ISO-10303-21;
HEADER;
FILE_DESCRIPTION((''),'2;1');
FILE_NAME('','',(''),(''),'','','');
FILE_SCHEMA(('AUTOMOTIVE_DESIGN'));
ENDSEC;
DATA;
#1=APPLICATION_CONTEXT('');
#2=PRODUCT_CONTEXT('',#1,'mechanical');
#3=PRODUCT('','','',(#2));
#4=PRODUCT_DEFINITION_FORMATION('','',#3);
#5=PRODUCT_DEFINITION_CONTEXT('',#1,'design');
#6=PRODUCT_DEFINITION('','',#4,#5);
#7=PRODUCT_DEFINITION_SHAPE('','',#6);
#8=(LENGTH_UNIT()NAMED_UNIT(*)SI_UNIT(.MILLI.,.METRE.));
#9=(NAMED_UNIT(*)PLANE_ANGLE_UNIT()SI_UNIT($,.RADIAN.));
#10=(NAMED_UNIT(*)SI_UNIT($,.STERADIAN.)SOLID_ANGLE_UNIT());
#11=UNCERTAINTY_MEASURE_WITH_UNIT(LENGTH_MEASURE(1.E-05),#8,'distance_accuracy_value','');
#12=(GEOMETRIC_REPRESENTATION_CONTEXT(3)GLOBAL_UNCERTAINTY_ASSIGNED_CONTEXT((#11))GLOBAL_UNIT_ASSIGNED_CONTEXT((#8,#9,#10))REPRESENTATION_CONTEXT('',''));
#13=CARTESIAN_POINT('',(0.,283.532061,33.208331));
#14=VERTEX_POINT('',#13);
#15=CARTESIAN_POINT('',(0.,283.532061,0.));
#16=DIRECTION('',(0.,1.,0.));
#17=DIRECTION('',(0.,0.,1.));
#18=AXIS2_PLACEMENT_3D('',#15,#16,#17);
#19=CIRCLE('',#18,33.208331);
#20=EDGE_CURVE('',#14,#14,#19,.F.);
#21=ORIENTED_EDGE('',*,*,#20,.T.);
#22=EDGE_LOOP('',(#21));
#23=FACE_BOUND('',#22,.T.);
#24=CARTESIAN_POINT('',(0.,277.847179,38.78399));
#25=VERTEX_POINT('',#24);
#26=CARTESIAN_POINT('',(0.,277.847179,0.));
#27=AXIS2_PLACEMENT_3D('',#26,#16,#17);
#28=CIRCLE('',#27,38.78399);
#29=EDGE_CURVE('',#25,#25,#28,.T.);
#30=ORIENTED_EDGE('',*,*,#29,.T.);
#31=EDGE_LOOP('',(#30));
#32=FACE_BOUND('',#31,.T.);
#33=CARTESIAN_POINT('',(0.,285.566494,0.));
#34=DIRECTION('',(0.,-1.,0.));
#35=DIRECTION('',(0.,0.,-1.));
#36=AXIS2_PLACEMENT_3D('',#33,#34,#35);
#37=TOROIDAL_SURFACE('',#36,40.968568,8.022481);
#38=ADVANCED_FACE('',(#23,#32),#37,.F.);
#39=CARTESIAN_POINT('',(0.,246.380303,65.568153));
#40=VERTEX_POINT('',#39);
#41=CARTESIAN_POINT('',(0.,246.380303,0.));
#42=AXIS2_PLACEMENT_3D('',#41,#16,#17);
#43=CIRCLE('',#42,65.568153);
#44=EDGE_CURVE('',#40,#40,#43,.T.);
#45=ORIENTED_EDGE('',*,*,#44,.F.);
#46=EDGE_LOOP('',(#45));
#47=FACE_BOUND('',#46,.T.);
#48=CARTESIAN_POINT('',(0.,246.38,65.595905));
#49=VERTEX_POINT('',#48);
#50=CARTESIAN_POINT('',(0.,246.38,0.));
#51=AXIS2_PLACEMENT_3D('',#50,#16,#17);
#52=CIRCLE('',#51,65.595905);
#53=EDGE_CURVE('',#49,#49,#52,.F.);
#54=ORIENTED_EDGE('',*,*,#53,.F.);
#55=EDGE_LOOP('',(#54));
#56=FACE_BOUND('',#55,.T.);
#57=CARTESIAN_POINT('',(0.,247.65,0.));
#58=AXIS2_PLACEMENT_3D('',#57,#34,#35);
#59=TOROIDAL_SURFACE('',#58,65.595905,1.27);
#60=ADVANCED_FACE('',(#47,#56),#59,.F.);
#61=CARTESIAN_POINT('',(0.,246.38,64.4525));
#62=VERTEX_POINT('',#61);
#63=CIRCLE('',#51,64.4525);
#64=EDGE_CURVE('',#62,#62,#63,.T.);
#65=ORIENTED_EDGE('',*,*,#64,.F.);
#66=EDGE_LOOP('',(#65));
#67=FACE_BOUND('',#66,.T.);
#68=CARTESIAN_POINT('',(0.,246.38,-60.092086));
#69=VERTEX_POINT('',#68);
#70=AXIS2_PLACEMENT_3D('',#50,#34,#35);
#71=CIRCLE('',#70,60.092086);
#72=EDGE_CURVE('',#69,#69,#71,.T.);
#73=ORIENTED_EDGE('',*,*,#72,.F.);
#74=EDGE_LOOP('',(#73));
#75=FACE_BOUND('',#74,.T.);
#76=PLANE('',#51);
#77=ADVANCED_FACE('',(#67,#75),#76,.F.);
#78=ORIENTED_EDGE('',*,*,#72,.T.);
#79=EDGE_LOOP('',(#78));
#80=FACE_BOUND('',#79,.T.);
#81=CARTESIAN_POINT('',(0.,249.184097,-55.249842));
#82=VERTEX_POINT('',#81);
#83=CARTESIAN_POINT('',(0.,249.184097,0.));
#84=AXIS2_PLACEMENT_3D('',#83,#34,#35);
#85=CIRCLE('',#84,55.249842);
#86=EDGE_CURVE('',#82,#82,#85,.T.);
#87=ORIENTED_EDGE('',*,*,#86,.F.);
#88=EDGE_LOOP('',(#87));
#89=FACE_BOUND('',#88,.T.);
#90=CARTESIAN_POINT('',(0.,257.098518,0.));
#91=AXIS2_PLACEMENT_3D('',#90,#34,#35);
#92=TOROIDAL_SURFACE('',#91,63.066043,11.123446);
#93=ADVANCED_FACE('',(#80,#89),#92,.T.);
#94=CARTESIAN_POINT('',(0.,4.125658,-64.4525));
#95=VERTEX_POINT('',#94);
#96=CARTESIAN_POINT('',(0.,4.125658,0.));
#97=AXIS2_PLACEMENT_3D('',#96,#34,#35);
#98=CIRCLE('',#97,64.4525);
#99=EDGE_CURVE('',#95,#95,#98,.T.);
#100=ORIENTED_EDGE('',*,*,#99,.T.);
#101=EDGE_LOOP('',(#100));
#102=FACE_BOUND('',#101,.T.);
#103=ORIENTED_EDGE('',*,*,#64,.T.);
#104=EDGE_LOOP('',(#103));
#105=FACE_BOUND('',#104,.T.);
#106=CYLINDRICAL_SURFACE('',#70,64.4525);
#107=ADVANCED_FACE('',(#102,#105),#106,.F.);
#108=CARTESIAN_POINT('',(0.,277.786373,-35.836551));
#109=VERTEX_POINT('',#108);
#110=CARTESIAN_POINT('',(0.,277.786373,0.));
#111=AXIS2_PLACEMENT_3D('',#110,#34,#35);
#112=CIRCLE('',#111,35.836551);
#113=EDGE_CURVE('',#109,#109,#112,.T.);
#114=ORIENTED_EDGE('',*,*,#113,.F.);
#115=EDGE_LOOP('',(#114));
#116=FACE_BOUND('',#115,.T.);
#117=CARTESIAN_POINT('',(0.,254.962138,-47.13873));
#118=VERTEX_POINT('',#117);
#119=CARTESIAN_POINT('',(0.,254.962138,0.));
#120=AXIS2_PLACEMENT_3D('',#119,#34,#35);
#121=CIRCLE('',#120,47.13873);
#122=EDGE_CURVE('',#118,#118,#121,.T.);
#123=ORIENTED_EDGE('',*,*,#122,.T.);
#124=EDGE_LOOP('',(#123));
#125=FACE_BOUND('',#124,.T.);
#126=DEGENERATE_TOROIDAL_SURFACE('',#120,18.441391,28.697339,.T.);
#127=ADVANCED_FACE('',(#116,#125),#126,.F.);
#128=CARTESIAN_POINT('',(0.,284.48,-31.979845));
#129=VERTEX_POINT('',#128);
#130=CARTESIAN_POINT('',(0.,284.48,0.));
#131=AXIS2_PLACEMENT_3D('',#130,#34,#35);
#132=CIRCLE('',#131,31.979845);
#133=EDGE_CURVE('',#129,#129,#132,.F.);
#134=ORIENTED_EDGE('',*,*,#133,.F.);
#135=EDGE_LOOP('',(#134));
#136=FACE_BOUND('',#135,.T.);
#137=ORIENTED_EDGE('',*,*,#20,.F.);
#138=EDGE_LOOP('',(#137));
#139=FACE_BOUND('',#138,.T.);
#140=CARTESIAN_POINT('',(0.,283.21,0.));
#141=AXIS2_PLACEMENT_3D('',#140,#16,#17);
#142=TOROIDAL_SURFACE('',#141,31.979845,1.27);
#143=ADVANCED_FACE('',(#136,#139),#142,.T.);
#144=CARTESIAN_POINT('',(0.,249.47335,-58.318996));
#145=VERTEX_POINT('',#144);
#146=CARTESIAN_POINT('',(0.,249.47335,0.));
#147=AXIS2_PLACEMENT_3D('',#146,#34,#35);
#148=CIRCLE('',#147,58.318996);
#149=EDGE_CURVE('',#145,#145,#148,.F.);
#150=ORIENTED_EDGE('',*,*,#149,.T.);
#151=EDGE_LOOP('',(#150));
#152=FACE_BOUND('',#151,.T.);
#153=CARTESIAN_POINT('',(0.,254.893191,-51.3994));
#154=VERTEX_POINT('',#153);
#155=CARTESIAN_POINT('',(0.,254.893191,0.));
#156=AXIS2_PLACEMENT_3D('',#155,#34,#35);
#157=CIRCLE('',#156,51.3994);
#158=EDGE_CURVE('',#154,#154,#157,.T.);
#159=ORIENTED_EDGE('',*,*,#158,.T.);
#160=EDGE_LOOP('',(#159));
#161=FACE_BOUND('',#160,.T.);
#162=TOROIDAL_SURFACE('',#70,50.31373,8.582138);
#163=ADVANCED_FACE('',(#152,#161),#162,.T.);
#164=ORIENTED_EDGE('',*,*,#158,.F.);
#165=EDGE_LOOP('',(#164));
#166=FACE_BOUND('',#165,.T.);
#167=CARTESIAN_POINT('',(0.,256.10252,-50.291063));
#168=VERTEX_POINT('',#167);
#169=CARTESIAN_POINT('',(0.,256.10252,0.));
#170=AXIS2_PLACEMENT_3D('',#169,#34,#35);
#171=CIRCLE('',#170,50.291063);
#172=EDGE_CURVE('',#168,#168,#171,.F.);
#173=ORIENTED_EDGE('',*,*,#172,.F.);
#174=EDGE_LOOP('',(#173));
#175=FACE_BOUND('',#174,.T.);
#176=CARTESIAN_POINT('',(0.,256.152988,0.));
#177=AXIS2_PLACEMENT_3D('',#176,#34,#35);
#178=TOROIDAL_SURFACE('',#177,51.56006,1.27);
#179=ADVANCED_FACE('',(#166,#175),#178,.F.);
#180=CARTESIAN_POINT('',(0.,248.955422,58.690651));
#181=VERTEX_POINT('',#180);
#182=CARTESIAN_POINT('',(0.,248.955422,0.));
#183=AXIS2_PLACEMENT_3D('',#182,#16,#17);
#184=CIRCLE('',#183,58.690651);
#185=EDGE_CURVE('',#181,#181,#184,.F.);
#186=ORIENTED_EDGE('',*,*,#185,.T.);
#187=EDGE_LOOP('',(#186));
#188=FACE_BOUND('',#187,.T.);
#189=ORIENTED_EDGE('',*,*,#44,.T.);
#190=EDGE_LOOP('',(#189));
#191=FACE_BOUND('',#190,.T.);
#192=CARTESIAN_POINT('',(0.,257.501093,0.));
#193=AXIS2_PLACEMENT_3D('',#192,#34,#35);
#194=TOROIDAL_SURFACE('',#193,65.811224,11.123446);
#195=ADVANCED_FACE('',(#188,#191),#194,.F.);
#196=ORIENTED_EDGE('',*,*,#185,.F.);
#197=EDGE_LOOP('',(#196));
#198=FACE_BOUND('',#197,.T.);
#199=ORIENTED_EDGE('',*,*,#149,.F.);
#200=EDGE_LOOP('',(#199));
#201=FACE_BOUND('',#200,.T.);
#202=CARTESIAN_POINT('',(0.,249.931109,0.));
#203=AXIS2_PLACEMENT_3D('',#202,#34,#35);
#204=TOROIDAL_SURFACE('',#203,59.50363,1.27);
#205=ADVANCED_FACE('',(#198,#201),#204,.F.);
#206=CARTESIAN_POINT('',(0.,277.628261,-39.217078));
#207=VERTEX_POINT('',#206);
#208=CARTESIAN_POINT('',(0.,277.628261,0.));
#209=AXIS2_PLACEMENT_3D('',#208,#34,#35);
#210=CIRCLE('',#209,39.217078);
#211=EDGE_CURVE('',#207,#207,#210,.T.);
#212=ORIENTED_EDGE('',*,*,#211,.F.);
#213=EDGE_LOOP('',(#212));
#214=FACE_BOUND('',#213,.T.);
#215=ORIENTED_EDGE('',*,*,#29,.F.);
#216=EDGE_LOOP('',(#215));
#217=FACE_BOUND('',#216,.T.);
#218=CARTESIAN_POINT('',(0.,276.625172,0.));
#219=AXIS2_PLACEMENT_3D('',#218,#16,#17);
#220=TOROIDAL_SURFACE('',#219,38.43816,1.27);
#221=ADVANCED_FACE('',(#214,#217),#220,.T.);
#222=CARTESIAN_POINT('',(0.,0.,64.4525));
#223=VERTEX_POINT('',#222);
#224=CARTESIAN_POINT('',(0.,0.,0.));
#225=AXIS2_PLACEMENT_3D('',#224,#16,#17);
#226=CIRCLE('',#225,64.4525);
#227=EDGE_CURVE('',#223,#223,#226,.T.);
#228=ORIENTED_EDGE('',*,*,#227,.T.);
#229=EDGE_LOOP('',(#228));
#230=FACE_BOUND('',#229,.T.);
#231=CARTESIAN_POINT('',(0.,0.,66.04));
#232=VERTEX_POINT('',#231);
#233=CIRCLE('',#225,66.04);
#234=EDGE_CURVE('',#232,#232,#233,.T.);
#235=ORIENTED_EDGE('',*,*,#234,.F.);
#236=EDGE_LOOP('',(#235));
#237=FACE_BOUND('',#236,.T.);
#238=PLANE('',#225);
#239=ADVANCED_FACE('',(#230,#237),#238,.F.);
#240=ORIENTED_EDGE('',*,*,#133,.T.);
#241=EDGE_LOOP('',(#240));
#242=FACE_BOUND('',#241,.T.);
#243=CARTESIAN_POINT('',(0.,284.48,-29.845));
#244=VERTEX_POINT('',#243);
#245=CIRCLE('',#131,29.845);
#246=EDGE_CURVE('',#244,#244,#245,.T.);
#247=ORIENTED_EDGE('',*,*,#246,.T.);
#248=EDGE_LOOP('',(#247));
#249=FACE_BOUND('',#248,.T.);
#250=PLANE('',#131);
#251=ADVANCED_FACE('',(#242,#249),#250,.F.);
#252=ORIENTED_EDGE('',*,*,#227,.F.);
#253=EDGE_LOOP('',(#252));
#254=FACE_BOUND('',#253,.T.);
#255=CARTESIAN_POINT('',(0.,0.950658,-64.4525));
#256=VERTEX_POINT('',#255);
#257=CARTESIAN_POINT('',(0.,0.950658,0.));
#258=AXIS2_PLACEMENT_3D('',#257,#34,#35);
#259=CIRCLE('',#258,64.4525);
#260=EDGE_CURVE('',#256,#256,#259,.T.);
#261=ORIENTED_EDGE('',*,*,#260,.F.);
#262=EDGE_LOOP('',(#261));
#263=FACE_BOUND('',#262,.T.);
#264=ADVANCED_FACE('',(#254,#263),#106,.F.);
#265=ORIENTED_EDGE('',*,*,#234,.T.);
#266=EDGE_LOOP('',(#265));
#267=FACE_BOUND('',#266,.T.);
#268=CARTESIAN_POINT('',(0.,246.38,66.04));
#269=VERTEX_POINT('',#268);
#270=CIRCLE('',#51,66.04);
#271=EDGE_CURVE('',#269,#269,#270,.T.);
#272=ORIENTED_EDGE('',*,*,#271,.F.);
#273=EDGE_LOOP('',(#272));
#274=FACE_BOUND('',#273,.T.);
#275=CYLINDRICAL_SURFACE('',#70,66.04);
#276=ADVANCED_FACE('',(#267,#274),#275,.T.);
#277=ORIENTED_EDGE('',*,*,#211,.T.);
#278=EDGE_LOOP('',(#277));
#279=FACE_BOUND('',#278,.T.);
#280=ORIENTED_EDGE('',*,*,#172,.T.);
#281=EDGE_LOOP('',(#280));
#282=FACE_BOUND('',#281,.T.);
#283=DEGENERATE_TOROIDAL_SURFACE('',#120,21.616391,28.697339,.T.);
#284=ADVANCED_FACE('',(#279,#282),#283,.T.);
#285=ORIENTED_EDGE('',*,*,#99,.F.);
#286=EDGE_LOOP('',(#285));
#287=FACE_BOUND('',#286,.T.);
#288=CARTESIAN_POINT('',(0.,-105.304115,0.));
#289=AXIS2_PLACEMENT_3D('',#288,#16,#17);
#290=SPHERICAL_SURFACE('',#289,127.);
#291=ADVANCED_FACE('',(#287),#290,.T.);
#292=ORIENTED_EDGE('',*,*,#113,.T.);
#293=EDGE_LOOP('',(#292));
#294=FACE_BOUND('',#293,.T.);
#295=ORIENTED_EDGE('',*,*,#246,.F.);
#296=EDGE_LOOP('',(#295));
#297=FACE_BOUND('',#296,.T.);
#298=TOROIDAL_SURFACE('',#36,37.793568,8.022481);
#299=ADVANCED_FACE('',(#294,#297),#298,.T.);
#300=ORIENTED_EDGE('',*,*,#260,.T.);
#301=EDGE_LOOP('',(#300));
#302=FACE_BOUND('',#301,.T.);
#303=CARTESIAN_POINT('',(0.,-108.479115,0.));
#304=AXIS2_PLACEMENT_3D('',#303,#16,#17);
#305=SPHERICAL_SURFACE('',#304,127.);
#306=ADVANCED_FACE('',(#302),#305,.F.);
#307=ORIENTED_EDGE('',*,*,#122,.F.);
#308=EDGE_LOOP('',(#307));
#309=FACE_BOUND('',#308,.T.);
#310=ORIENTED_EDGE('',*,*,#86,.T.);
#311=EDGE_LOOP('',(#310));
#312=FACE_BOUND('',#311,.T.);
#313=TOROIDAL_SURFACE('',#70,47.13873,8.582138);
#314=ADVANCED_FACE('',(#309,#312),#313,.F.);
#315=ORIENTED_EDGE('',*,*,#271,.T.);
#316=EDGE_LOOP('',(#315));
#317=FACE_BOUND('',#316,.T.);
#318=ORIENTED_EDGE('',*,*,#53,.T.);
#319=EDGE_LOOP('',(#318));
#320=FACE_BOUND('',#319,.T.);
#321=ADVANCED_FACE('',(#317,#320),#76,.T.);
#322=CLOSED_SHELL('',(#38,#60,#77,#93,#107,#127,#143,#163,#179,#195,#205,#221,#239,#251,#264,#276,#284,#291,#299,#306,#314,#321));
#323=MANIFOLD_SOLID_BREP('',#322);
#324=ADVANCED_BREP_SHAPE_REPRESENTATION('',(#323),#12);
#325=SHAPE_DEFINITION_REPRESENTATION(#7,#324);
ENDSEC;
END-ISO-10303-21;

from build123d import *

# Parameters (mm, degrees)
SKETCH1_R           = 66.04
SKETCH1_R_2         = 64.4525
BOSS_EXTRUDE1_DEPTH = 246.38
FILLET3_R           = 1.27


with BuildPart() as part:
    # Sketch1 → Boss-Extrude1 (new body)
    with BuildSketch(Plane(origin=(0, 0, 0), x_dir=(1, 0, 0), z_dir=(0, 1, 0))):
        with Locations(Location((0, 0, 0), (0, 0, 270))):
            Circle(SKETCH1_R)
        with Locations(Location((0, 0, 0), (0, 0, 270))):
            Circle(SKETCH1_R_2, mode=Mode.SUBTRACT)
    extrude(amount=BOSS_EXTRUDE1_DEPTH)

    # Sketch4 → Revolve5 (revolve)
    with BuildSketch(Plane.XY, mode=Mode.PRIVATE) as revolve5_sk:
        with BuildLine():
            ThreePointArc((-50.313730209, 254.962138497), (-55.29308505, 253.369930369), (-58.424842289, 249.184097363))
            ThreePointArc((-58.424842289, 249.184097363), (-61.96758374, 247.062823084), (-66.04, 246.38))
            Line((-66.04, 246.38), (0, 246.38))
            Line((0, 246.38), (0, 284.48))
            Line((0, 284.48), (-33.02, 284.48))
            ThreePointArc((-33.02, 284.48), (-34.99100046, 280.215897021), (-39.01155126, 277.786372726))
            ThreePointArc((-39.01155126, 277.786372726), (-47.333429049, 267.696785304), (-50.313730209, 254.962138497))
        make_face()
    revolve(revolve5_sk.sketch.rotate(Axis((0, 246.38, 0), (0, 1, 0)), 270), axis=Axis((0, 246.38, 0), (0, 1, 0)))

    # Fillet3
    fillet3_edges = [part.edges().sort_by_distance(p)[0] for p in [
        (0, 246.38, 65.582447768),
        (0, 254.962138497, 50.313730209),
        (0, 249.184097363, 58.424842289),
        (0, 284.48, 33.02),
        (0, 277.786372726, 39.01155126),
    ]]
    fillet(fillet3_edges, radius=FILLET3_R)

    # Sketch7 → Revolve8 (revolve)
    with BuildSketch(Plane(origin=(0, 0, 0), x_dir=(0, 0, -1), z_dir=(1, 0, 0))):
        with BuildLine():
            ThreePointArc((-66.04, 3.175), (-34.293967325, 16.978033309), (0, 21.695884959))
            Line((0, 21.695884959), (0, 18.520884959))
            ThreePointArc((0, 18.520884959), (-34.293967325, 13.803033309), (-66.04, 0))
            Line((-66.04, 0), (-66.04, 3.175))
        make_face()
    revolve(axis=Axis((0, 0, 0), (0, 1, 0)))

    # Sketch10 → Cut-Revolve1 (revolve, cut)
    with BuildSketch(Plane.XY, mode=Mode.PRIVATE) as cut_revolve1_sk:
        with BuildLine():
            Line((-60.092086221, 246.38), (0, 246.38))
            Line((0, 246.38), (0, 284.48))
            Line((0, 284.48), (-29.845, 284.48))
            ThreePointArc((-29.845, 284.48), (-31.81600046, 280.215897021), (-35.83655126, 277.786372726))
            ThreePointArc((-35.83655126, 277.786372726), (-44.158429049, 267.696785304), (-47.138730209, 254.962138497))
            ThreePointArc((-47.138730209, 254.962138497), (-52.11808505, 253.369930369), (-55.249842289, 249.184097363))
            ThreePointArc((-55.249842289, 249.184097363), (-57.49176142, 247.472593008), (-60.092086221, 246.38))
        make_face()
    revolve(cut_revolve1_sk.sketch.rotate(Axis((0, 246.38, 0), (0, 1, 0)), 270), axis=Axis((0, 246.38, 0), (0, 1, 0)), mode=Mode.SUBTRACT)


solid = part.part
